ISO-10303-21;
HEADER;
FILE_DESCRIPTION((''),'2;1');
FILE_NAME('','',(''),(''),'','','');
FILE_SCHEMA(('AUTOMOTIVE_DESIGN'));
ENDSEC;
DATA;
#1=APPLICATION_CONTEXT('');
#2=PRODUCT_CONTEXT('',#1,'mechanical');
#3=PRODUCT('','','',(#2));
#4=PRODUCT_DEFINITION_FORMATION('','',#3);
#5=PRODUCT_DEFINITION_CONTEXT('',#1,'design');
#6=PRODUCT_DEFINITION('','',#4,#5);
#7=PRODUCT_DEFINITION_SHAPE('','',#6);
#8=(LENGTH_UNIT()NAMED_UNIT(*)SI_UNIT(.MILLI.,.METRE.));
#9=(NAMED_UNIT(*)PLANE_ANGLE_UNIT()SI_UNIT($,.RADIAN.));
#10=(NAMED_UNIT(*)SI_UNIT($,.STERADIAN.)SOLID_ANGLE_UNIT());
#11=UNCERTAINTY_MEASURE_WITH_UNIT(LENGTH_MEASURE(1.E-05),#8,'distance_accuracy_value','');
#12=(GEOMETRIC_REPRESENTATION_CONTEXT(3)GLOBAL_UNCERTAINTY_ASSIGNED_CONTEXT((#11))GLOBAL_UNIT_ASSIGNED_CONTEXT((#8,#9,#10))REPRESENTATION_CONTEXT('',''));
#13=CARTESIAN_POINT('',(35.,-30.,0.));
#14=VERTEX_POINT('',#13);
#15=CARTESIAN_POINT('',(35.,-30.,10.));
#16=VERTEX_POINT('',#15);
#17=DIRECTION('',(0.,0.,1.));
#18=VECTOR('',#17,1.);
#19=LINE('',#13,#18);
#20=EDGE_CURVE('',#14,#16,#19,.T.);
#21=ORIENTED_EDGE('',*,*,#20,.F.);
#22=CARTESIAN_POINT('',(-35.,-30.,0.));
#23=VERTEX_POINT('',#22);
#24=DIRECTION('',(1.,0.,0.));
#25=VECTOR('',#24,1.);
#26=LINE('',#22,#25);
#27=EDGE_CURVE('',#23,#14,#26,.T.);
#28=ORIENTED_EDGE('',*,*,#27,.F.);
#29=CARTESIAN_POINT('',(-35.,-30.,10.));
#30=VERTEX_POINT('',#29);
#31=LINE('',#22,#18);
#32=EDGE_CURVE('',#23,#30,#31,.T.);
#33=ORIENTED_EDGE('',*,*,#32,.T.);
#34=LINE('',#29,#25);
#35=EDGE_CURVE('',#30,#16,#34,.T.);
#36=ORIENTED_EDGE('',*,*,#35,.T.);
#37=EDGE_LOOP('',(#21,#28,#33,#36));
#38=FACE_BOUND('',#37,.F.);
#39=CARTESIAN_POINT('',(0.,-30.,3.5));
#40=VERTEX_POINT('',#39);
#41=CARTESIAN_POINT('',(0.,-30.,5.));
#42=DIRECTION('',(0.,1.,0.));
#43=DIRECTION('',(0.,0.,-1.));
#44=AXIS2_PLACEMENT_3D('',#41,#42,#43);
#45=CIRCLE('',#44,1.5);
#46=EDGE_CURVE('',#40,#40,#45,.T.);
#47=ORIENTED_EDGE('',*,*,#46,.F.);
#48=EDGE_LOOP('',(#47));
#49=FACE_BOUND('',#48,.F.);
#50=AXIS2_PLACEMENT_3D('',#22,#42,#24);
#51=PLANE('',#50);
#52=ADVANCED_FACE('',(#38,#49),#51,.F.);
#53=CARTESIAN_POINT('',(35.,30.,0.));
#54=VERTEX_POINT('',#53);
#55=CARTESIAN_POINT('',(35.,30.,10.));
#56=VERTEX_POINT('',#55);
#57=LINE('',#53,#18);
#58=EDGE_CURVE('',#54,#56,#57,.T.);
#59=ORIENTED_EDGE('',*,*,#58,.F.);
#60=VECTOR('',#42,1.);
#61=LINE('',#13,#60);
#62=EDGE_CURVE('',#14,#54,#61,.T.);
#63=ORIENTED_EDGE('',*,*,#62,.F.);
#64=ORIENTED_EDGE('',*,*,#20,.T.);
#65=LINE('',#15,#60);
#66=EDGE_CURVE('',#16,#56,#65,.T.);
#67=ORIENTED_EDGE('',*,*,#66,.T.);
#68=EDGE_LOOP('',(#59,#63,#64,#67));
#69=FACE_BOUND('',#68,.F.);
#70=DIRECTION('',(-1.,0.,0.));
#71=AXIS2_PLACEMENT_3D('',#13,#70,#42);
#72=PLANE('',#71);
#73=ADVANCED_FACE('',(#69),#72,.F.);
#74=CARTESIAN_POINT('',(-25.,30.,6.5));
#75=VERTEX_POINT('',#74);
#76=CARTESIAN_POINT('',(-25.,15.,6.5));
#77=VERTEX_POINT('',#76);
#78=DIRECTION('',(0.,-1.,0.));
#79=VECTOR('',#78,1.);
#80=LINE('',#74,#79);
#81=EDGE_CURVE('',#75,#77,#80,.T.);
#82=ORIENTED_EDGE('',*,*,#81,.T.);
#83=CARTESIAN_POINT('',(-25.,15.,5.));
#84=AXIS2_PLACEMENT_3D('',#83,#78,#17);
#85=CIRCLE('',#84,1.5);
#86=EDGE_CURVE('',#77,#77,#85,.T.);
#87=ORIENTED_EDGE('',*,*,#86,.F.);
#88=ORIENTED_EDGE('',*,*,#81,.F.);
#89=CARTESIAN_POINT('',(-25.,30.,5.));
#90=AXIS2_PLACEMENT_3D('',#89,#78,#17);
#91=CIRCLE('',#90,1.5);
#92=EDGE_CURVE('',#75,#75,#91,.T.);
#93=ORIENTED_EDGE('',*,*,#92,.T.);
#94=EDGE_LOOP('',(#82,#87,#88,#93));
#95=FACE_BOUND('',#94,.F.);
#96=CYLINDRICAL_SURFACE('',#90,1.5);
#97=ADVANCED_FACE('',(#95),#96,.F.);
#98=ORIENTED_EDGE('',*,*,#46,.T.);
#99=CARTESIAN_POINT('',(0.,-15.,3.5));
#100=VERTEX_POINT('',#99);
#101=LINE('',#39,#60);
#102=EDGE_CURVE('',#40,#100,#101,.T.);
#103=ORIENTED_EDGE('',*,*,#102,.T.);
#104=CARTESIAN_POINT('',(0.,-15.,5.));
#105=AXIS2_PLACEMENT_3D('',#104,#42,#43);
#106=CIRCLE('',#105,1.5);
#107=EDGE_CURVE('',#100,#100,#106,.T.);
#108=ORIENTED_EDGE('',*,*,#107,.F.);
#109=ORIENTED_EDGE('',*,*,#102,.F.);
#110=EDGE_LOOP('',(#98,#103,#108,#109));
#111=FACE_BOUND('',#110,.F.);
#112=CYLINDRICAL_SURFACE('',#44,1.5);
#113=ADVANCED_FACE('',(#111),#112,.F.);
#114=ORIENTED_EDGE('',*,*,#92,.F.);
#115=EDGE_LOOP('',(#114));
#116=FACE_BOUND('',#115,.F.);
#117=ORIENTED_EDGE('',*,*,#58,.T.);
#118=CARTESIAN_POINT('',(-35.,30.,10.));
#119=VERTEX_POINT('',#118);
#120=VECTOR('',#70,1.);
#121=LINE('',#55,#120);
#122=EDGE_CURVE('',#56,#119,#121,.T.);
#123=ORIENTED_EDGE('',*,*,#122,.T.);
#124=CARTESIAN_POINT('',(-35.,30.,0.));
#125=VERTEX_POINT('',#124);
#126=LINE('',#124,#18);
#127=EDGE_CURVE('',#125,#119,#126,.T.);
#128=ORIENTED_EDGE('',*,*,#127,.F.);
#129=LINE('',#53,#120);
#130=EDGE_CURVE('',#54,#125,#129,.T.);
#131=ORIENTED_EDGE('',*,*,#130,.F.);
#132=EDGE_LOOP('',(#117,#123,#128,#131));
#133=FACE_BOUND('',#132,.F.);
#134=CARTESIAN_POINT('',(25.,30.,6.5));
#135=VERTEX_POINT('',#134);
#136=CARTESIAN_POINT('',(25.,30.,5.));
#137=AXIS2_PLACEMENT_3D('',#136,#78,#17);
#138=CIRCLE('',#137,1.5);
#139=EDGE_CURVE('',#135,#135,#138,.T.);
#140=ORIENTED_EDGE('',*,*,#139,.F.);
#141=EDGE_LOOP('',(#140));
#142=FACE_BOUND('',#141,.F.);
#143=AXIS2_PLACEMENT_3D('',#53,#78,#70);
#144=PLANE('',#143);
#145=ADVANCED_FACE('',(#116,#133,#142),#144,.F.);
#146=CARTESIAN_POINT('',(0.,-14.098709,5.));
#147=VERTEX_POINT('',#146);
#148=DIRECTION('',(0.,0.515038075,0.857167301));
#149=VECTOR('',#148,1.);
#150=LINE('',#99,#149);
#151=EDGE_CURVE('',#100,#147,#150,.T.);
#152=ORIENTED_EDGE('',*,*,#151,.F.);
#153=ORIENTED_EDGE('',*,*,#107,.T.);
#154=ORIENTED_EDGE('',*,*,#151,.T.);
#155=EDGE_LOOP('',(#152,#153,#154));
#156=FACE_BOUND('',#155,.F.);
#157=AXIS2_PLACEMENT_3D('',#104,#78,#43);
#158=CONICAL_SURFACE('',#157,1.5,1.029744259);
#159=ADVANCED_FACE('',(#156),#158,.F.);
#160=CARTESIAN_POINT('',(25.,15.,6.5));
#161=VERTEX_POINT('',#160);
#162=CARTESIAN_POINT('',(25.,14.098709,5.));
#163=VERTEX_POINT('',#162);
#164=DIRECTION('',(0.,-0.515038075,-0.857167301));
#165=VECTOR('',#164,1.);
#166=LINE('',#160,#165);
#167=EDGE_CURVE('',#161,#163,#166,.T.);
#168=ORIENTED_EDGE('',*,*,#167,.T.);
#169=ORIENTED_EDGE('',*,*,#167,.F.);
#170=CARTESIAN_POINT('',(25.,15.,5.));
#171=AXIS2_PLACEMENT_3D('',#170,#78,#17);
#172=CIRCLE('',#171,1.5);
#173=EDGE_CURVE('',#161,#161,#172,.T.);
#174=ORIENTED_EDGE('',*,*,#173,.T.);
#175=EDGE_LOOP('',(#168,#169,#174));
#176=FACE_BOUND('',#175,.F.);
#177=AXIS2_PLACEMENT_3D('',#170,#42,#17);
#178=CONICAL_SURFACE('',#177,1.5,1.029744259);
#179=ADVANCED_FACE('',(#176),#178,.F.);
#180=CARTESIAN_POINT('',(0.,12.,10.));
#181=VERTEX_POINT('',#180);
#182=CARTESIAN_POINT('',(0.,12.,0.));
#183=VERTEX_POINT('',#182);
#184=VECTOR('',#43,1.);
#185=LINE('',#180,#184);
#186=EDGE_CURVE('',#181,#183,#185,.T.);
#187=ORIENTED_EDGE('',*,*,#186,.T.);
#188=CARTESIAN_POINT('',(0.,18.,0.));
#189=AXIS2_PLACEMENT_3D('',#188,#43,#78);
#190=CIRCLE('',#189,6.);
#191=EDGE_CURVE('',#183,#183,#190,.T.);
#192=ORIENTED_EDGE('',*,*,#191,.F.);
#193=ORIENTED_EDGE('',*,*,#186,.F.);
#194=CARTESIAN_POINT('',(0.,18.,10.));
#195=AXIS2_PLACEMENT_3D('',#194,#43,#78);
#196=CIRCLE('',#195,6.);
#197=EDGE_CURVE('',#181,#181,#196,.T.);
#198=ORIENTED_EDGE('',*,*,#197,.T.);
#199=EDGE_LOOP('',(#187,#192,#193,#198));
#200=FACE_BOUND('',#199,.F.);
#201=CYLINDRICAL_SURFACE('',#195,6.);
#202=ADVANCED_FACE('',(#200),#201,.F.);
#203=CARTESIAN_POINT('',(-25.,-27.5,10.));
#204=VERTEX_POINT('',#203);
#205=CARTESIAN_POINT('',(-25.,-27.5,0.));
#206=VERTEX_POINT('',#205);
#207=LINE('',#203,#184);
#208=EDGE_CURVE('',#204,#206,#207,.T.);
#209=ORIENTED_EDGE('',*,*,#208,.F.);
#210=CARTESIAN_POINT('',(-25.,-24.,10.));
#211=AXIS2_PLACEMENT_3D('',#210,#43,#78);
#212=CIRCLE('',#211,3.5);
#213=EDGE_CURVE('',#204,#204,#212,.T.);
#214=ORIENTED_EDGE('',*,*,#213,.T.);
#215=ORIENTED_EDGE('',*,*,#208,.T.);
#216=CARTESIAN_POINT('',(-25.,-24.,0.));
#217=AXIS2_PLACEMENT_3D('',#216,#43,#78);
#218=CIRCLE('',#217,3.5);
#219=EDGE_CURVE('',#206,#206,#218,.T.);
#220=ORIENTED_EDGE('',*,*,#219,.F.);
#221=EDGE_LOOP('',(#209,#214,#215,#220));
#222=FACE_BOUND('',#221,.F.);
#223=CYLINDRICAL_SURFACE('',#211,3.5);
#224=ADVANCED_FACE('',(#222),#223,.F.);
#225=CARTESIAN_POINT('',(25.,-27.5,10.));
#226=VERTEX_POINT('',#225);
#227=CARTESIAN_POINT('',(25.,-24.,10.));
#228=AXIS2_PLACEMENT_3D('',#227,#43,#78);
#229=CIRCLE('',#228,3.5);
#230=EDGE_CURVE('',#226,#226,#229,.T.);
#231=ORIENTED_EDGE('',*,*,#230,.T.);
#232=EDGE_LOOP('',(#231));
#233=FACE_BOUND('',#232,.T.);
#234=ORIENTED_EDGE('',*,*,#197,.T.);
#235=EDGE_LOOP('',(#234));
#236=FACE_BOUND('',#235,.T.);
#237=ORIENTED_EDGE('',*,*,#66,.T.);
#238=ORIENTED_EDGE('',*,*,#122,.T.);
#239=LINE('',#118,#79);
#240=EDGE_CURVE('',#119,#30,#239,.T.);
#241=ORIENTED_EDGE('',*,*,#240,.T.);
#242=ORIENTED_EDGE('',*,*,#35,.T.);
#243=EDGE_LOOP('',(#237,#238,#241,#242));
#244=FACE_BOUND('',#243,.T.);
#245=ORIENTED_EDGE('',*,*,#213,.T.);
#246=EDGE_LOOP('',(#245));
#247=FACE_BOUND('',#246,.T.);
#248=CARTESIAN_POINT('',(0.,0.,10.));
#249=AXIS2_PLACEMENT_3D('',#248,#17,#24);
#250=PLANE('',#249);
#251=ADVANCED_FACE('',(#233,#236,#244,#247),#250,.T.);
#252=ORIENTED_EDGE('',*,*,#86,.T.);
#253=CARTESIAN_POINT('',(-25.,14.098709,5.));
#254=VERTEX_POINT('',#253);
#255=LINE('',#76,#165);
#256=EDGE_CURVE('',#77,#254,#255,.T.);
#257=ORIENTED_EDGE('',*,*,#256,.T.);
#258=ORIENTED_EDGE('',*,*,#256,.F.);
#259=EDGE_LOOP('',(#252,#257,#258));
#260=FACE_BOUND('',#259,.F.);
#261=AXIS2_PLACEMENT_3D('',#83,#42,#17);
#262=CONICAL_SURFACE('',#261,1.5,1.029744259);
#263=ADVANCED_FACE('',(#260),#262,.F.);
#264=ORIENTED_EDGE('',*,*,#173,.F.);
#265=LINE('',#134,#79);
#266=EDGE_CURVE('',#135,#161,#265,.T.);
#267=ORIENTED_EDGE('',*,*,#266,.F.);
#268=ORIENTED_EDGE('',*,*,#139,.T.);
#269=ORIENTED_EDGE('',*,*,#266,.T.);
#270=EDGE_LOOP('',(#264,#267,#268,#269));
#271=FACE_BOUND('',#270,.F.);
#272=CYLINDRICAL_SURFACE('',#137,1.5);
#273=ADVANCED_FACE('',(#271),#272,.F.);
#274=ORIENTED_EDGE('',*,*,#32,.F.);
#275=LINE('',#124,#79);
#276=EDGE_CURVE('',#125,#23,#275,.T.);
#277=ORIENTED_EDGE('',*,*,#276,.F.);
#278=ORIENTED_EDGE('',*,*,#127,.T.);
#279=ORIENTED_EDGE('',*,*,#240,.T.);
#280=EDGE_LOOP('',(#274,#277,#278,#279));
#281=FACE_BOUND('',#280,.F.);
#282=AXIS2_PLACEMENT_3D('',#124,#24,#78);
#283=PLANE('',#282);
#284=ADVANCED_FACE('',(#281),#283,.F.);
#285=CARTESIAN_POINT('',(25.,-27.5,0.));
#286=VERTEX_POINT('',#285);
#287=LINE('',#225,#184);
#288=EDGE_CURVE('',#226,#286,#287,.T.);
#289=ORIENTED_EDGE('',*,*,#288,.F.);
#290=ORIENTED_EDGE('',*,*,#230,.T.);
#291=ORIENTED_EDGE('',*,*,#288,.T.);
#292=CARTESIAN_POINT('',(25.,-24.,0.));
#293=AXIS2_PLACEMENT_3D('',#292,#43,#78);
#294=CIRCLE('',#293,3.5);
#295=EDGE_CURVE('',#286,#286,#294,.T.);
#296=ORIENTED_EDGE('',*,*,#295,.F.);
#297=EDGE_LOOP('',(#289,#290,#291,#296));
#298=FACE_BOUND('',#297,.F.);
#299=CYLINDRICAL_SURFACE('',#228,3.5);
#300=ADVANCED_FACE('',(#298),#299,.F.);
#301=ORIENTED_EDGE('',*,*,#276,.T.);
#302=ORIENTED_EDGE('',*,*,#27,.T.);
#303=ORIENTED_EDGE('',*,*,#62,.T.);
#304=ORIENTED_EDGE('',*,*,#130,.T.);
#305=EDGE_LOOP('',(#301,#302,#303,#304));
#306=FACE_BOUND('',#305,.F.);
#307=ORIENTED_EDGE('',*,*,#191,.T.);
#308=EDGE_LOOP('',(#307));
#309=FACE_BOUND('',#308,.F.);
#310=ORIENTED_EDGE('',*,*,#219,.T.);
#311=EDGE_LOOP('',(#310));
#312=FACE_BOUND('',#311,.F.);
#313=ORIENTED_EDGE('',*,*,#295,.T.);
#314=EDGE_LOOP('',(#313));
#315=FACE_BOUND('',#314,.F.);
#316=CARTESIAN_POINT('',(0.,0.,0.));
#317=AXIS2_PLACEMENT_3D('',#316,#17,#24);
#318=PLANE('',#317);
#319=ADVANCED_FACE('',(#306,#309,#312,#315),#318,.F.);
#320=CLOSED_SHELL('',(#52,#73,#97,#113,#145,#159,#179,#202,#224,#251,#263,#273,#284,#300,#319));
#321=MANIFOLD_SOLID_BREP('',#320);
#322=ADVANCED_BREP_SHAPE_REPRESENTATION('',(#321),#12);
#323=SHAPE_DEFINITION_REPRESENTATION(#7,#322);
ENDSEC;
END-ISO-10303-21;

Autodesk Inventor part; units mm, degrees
ref_plane "YZ Plane" through (0, 0, 0) normal (1, 0, 0) x (0, 1, 0)
ref_plane "XZ Plane" through (0, 0, 0) normal (0, 1, 0) x (-1, 0, 0)
ref_plane "XY Plane" through (0, 0, 0) normal (0, 0, 1) x (1, 0, 0)
sketch "Skizze1" plane through (0, 0, 0) normal (0, 0, 1) x (1, 0, 0)
  line L0 (-35, -30) -> (35, -30)
  line L1 (35, -30) -> (35, 30)
  line L2 (35, 30) -> (-35, 30)
  line L3 (-35, 30) -> (-35, -30)
  line L4 (-35, -30) -> (35, 30) construction
  line L5 (35, -30) -> (-35, 30) construction
  point P0 (0, 0)
  dimension "Breite" = 70
  dimension "Länge" = 60
extrude "Extrusion1" add sketch "Skizze1" along normal blind 10
sketch "Skizze2" plane through (0, 0, 10) normal (0, 0, 1) x (1, 0, 0)
  line L0 (-35, -30) -> (35, -30) projected
  line L1 (0, -42) -> (0, 42) projected
  point P0 (0, 0)
  point P1 (-25, -24)
  point P2 (25, -24)
  point P3 (0, 18)
  dimension "Abstand_bohrung_unten" = 6
  dimension "Abstand_Bohrung_oben" = 48
hole "Bohrung1" at (25, -24, 10) at (-25, -24, 10) direction (0, 0, -1) diameter 7 end through all
hole "Bohrung2" at (0, 18, 10) direction (0, 0, -1) diameter 12 end through all
sketch "Skizze5" plane through (-35, 30, 0) normal (0, 1, 0) x (1, 0, 0)
  line L0 (70, -10) -> (0, -10) projected
  line L1 (0, 0) -> (0, -10) projected
  line L2 (70, 0) -> (70, -10) projected
  point P0 (35, 0)
  point P1 (60, -5)
  point P2 (10, -5)
  dimension "d36" = 5
  dimension "d37" = 50
  dimension "d38" = 10
  dimension "d39" = 10
hole "Bohrung5" at (25, 30, 5) at (-25, 30, 5) direction (0, -1, 0) diameter 3 depth 15 tip angle 118
sketch "Skizze6" plane through (-35, -30, 0) normal (0, -1, 0) x (1, 0, 0)
  line L0 (0, 10) -> (70, 10) projected
  line L1 (70, 0) -> (70, 10) projected
  point P0 (35, 0)
  point P1 (35, 5)
  dimension "d47" = 5
  dimension "d48" = 35
hole "Bohrung6" at (0, -30, 5) direction (0, 1, 0) diameter 3 depth 15 tip angle 118
properties part number "ABI_Grundplatte"
